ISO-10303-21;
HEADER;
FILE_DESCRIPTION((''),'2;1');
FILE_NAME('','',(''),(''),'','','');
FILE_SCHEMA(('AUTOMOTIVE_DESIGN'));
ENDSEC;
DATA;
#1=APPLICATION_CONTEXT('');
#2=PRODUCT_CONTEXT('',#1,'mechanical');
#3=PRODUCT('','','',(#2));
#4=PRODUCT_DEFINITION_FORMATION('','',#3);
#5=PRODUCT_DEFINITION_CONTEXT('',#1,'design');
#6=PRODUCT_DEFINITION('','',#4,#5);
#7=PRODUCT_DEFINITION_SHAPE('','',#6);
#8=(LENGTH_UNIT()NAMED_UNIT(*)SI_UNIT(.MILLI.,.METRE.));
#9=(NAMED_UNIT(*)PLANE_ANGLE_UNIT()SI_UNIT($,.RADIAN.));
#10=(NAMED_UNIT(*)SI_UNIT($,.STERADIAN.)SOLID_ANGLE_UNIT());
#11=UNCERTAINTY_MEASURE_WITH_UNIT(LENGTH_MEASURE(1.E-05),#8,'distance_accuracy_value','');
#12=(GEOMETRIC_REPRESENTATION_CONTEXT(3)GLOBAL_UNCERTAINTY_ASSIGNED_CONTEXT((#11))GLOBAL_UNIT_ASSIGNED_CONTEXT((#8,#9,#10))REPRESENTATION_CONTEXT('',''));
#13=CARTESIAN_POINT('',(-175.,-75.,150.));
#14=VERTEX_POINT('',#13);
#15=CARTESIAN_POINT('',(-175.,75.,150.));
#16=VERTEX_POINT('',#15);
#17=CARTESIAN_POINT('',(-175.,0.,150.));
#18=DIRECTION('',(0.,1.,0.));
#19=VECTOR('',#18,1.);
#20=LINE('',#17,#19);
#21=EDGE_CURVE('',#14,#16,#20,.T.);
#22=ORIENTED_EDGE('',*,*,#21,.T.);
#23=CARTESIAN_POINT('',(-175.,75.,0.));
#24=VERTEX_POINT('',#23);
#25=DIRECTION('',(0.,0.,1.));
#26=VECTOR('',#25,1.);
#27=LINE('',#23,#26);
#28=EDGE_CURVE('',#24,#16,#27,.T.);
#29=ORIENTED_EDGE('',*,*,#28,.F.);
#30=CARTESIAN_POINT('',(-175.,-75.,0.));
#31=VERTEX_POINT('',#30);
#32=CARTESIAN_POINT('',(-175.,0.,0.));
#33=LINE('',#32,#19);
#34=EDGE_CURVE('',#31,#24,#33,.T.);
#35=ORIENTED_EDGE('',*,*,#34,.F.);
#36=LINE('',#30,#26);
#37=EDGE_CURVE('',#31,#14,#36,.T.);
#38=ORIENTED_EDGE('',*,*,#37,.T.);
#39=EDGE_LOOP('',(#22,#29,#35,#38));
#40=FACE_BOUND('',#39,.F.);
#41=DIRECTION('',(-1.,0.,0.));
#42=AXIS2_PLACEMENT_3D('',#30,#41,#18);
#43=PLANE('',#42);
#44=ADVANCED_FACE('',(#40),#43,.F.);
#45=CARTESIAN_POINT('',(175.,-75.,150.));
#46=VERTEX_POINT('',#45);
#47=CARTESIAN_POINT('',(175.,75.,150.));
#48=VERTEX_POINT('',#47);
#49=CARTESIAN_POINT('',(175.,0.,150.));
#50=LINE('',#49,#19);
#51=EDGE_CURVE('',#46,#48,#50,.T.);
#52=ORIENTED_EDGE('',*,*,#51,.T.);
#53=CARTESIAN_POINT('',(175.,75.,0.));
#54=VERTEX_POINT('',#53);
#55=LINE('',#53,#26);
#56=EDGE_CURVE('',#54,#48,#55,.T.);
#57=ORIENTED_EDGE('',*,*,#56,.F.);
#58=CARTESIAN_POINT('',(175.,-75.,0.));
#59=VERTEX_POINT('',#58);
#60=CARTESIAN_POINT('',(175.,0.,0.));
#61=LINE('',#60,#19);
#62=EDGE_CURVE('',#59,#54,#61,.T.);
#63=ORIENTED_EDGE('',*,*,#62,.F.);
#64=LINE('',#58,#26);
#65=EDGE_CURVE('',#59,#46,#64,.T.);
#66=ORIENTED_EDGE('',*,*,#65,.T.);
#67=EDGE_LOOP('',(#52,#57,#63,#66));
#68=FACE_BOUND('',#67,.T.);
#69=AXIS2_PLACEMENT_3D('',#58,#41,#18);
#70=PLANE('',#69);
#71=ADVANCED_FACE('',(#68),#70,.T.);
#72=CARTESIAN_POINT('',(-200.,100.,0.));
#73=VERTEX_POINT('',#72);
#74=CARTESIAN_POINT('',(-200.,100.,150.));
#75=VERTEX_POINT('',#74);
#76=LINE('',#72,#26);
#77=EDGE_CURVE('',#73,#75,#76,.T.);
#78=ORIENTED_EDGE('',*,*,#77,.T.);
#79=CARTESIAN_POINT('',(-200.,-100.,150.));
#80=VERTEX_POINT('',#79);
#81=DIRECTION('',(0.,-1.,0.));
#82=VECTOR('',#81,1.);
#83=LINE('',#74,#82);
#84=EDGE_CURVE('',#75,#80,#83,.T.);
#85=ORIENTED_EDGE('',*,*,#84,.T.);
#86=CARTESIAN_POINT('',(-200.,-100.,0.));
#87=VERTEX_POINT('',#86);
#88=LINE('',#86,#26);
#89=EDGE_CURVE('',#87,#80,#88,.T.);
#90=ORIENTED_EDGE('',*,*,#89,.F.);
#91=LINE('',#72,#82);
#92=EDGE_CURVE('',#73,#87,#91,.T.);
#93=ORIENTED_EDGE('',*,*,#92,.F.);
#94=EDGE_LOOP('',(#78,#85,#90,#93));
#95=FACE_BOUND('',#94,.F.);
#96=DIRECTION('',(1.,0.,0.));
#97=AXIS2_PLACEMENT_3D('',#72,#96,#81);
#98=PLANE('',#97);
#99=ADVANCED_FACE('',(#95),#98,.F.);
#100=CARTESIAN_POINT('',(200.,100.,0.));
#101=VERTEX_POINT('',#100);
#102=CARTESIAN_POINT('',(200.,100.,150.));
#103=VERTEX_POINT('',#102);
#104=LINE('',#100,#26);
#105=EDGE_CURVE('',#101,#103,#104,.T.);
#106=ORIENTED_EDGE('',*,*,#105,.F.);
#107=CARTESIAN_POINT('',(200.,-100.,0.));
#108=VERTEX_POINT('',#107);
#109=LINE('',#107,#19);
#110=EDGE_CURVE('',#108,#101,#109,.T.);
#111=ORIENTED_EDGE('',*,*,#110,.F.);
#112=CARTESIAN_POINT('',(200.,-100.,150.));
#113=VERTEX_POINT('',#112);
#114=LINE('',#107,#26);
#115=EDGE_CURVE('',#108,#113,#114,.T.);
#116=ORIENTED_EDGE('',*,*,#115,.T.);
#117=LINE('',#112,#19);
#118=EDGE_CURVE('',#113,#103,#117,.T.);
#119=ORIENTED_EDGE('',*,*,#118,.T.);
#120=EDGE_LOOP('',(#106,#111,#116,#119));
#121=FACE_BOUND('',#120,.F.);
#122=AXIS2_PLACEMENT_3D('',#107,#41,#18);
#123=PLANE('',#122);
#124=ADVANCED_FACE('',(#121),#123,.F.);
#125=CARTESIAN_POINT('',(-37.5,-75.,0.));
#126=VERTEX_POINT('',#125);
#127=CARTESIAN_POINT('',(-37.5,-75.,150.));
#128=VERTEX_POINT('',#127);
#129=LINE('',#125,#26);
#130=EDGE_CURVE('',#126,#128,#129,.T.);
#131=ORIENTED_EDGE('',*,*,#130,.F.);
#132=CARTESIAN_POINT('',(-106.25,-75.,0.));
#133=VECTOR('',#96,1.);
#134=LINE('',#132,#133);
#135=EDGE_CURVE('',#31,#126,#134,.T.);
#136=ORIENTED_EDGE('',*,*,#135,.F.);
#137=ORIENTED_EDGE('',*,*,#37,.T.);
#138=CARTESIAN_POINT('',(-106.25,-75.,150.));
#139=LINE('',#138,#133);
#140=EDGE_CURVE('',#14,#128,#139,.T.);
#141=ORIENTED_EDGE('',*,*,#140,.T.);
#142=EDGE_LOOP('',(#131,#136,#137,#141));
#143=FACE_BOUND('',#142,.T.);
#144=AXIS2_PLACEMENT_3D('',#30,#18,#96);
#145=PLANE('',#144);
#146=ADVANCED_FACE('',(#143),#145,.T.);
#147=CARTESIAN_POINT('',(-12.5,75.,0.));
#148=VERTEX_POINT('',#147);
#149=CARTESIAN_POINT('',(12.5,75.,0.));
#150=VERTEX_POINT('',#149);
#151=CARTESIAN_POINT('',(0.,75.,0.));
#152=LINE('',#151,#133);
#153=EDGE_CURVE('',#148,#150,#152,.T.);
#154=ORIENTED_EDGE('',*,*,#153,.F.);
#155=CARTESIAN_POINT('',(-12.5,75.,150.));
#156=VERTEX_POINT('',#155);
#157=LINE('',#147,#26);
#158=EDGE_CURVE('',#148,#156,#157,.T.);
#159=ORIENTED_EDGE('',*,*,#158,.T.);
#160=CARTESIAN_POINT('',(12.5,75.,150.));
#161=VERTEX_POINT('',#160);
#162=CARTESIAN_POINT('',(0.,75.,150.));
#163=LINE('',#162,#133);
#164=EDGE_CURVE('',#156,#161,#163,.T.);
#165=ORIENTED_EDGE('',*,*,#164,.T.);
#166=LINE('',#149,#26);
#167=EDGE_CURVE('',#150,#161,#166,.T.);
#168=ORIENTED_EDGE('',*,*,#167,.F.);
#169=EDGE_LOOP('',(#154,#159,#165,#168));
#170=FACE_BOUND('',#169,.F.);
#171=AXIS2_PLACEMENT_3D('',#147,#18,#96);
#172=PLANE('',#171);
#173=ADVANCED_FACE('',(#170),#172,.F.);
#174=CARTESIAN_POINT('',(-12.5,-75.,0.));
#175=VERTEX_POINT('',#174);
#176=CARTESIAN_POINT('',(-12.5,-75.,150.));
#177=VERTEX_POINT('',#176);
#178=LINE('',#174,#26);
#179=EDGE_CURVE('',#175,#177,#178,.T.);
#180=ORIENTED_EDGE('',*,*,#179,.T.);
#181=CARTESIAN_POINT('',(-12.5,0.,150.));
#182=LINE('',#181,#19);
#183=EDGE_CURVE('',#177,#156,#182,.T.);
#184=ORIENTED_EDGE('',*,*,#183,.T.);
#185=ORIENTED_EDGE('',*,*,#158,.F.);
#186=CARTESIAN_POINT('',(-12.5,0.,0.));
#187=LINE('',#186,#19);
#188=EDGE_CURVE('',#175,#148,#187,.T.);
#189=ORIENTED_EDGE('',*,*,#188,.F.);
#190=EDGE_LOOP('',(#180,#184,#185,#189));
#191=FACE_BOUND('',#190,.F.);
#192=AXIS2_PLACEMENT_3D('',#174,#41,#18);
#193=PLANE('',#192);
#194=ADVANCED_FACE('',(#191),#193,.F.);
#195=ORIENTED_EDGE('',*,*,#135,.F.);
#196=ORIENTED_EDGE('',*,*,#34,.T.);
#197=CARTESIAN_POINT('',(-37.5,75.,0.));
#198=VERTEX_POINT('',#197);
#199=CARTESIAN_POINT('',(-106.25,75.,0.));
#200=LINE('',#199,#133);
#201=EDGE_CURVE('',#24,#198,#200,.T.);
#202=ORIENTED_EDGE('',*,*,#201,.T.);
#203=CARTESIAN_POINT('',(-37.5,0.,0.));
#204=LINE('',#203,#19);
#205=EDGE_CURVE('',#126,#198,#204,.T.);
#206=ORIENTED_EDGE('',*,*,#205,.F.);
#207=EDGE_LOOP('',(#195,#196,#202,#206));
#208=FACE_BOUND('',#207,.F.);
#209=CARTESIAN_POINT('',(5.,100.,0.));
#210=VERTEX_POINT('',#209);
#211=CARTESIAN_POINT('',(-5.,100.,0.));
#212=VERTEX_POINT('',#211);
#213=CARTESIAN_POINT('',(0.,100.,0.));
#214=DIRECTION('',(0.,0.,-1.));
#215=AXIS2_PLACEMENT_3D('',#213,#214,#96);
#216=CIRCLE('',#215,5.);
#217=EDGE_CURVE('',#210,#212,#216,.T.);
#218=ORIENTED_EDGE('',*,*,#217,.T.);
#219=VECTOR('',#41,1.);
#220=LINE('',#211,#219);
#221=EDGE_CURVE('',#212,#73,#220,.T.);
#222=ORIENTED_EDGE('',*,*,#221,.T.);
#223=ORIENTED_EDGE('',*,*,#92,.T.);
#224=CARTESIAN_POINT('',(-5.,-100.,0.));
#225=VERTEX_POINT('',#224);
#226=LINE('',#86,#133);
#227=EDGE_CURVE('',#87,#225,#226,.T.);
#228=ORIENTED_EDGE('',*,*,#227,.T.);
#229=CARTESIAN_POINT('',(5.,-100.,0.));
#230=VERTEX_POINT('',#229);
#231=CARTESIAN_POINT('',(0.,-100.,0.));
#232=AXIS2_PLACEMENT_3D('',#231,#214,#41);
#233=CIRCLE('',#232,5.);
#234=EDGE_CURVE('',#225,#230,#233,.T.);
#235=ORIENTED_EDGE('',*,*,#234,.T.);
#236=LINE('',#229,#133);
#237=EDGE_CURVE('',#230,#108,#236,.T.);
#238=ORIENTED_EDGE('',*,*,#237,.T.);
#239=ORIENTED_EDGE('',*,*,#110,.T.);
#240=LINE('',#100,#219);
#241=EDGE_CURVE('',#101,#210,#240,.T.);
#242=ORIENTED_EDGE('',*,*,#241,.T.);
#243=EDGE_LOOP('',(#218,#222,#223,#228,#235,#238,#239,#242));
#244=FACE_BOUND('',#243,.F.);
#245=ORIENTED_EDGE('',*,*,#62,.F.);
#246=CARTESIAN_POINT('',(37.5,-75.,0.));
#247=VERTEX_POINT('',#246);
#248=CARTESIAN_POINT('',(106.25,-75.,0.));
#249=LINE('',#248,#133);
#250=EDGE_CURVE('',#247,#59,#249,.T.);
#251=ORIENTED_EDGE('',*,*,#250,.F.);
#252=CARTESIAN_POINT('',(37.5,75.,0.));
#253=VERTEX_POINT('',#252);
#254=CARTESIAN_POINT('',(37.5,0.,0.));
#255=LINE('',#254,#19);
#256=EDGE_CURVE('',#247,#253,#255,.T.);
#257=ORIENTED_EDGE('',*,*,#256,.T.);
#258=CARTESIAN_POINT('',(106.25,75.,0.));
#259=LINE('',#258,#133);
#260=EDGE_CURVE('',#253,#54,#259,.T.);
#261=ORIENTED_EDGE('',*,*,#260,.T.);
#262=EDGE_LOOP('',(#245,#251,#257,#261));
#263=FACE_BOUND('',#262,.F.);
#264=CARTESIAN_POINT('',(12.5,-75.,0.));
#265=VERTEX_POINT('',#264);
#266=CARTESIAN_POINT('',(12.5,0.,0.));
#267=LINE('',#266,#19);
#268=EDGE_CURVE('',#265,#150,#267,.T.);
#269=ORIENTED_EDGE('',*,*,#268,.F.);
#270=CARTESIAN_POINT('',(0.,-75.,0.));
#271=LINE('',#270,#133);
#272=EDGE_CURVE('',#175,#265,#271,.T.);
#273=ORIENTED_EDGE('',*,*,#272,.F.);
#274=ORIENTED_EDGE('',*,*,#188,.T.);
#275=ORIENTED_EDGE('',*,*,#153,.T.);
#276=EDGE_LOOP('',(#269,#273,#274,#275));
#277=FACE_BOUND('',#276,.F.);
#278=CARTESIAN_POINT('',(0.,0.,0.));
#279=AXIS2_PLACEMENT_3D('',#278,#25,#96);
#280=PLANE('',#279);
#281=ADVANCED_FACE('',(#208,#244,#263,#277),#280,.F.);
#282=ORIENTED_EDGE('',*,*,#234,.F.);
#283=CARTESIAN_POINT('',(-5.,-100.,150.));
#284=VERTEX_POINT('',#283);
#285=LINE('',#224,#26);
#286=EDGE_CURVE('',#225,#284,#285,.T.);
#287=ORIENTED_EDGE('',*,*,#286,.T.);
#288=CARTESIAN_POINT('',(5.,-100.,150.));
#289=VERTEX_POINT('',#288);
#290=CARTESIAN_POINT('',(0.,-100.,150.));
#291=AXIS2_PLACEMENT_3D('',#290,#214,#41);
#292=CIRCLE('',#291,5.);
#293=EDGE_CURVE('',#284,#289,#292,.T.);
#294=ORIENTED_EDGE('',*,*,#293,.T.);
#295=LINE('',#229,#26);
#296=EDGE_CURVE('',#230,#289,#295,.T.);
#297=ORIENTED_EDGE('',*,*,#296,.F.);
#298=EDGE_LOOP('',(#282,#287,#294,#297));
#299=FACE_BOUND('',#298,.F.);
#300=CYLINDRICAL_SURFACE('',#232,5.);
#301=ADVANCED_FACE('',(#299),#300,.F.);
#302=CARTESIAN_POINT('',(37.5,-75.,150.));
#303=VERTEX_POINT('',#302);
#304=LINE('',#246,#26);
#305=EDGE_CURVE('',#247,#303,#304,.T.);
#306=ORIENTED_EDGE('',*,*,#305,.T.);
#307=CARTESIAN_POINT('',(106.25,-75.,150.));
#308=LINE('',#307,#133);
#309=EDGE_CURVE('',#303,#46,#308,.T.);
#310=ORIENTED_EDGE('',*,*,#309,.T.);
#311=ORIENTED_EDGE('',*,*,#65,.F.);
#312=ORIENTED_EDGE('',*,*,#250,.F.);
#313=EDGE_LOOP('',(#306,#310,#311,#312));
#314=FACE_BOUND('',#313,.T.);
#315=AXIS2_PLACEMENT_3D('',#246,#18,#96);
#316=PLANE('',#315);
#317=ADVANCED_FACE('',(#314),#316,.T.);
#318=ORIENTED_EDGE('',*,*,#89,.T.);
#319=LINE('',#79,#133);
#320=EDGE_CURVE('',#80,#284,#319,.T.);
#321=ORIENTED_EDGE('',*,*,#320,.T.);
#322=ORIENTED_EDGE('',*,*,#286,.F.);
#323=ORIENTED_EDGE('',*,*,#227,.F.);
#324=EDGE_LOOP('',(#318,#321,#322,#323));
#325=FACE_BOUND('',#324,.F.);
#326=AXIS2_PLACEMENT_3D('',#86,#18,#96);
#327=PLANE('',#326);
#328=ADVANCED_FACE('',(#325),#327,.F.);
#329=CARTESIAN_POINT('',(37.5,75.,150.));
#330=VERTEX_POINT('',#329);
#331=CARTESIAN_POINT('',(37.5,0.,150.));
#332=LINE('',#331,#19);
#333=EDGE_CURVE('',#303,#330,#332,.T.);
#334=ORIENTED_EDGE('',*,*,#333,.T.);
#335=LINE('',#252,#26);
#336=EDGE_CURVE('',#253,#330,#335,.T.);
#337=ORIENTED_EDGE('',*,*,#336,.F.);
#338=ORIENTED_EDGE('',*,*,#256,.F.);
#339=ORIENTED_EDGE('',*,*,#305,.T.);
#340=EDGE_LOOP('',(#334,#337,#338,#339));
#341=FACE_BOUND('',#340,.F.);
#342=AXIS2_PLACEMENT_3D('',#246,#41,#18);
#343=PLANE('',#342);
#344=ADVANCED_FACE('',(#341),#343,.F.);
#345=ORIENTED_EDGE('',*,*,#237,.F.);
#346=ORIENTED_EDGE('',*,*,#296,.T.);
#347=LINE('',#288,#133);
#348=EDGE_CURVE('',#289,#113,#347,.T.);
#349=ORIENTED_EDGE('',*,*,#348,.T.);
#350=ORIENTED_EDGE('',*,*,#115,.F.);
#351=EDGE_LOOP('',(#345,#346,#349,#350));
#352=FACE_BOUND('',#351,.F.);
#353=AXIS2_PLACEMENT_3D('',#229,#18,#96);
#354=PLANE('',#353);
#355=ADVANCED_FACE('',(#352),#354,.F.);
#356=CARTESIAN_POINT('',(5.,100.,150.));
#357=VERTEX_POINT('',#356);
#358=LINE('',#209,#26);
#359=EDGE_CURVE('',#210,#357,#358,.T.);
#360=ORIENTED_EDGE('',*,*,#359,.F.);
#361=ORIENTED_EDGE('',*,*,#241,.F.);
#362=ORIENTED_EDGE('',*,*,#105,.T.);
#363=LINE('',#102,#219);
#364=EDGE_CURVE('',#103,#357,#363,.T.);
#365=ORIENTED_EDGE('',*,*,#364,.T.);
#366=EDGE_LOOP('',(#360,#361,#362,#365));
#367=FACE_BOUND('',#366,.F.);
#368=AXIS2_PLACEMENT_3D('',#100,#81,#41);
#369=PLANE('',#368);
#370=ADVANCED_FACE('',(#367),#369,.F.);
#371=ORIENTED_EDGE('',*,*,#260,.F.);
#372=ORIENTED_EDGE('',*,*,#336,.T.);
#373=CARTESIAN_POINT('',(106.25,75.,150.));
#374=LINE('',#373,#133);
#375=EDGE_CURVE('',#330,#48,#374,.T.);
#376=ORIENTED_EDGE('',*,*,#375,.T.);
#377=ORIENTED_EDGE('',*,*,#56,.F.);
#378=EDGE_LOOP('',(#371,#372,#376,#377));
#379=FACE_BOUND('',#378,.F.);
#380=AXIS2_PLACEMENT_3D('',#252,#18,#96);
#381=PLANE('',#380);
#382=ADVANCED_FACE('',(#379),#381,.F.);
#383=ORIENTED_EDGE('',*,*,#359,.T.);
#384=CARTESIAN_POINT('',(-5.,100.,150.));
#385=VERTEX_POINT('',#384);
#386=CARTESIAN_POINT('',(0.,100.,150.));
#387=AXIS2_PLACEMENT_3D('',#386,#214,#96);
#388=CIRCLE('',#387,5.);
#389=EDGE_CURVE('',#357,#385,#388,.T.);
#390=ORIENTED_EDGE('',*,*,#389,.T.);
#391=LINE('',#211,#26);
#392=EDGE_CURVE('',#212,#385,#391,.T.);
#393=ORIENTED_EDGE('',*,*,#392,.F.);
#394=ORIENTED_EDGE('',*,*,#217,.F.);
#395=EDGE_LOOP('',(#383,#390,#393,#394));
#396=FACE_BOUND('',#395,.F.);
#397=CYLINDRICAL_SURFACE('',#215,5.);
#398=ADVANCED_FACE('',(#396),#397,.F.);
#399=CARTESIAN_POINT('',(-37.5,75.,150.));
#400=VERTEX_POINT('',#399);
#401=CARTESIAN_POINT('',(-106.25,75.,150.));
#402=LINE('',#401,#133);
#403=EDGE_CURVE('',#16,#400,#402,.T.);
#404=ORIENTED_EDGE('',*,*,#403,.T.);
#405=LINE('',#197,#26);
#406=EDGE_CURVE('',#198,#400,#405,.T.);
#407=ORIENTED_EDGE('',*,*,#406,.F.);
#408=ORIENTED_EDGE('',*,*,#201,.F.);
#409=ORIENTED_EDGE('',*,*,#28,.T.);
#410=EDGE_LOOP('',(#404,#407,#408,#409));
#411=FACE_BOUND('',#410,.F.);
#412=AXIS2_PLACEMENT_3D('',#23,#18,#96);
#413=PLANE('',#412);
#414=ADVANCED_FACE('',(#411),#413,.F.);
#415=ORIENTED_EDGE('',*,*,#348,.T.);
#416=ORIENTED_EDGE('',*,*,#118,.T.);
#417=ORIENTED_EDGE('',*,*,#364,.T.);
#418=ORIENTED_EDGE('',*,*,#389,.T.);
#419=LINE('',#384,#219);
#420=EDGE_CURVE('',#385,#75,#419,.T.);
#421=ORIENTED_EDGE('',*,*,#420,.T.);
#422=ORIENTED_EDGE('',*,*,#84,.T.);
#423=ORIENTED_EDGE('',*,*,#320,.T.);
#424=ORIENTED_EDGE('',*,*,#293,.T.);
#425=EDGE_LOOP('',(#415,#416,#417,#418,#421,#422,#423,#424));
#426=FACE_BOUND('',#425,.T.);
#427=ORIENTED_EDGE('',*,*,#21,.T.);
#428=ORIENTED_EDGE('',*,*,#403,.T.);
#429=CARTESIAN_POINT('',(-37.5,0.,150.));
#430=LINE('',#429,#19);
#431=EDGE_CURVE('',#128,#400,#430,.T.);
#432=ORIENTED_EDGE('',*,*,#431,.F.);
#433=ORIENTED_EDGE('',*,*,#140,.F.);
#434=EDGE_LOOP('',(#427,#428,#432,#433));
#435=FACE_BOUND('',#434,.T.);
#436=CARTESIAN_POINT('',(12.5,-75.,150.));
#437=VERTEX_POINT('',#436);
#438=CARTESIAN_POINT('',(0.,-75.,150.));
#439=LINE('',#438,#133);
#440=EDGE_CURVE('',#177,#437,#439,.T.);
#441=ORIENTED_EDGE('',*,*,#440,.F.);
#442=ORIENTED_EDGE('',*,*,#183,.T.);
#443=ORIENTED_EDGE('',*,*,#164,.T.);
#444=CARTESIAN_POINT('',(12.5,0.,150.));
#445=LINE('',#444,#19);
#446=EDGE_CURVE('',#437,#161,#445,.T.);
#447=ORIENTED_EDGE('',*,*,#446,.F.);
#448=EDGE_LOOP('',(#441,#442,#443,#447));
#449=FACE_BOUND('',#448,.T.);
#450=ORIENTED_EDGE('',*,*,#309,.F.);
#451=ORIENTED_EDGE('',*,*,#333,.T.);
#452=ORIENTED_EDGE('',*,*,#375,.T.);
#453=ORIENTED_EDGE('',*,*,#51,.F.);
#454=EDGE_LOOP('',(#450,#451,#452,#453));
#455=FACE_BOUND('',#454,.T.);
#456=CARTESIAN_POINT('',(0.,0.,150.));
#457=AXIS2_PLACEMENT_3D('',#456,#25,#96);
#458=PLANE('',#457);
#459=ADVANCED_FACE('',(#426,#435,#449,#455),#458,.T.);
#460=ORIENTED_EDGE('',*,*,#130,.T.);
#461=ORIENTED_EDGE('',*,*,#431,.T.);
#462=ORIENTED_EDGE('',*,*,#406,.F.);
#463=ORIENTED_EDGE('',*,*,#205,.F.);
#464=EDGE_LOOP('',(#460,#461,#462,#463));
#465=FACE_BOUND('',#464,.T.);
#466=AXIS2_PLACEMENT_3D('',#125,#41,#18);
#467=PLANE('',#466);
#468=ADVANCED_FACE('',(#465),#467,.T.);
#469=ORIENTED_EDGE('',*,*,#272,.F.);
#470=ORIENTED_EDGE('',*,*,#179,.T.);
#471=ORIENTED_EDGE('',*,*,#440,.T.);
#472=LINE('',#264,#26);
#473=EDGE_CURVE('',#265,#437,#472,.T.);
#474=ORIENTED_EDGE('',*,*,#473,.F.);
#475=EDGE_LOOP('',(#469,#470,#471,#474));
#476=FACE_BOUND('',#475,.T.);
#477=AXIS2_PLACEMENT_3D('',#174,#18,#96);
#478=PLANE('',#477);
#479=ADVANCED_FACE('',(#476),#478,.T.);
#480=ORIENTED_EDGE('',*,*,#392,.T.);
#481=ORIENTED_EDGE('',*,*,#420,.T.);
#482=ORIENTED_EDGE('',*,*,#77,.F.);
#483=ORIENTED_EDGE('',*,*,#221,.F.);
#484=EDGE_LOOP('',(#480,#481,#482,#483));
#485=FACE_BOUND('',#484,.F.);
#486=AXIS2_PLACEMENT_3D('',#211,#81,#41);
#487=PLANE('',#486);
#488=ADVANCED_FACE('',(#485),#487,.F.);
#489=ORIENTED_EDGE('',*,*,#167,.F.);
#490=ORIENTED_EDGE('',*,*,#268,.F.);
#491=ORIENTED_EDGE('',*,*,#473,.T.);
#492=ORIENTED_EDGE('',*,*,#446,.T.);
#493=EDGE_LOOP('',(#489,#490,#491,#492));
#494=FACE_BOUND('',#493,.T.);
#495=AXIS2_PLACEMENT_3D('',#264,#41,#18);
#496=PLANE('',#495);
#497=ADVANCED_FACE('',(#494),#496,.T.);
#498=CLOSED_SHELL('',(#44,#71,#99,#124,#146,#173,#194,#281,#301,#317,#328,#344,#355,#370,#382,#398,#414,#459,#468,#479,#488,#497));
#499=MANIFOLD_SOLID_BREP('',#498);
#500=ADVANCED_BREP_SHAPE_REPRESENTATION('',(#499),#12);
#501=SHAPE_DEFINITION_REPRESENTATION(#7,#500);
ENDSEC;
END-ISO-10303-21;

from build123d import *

# Parameters (mm, degrees)
F0_W     = 137.5
F0_H     = 150
F0_W_2   = 25
F1_DEPTH = 150


with BuildPart() as f1:
    # F0 (on Top) → F1 (new body)
    with BuildSketch(Plane.XY):
        with BuildLine():
            Line((200, -100), (200, 100))
            Line((200, 100), (5, 100))
            ThreePointArc((5, 100), (0, 95), (-5, 100))
            Line((-5, 100), (-200, 100))
            Line((-200, 100), (-200, -100))
            Line((-200, -100), (-5, -100))
            ThreePointArc((-5, -100), (0, -95), (5, -100))
            Line((5, -100), (200, -100))
        make_face()
        with Locations((-106.25, 0)):
            Rectangle(F0_W, F0_H, mode=Mode.SUBTRACT)
        Rectangle(F0_W_2, F0_H, mode=Mode.SUBTRACT)
        with Locations((106.25, 0)):
            Rectangle(F0_W, F0_H, mode=Mode.SUBTRACT)
    extrude(amount=F1_DEPTH)


solid = f1.part
